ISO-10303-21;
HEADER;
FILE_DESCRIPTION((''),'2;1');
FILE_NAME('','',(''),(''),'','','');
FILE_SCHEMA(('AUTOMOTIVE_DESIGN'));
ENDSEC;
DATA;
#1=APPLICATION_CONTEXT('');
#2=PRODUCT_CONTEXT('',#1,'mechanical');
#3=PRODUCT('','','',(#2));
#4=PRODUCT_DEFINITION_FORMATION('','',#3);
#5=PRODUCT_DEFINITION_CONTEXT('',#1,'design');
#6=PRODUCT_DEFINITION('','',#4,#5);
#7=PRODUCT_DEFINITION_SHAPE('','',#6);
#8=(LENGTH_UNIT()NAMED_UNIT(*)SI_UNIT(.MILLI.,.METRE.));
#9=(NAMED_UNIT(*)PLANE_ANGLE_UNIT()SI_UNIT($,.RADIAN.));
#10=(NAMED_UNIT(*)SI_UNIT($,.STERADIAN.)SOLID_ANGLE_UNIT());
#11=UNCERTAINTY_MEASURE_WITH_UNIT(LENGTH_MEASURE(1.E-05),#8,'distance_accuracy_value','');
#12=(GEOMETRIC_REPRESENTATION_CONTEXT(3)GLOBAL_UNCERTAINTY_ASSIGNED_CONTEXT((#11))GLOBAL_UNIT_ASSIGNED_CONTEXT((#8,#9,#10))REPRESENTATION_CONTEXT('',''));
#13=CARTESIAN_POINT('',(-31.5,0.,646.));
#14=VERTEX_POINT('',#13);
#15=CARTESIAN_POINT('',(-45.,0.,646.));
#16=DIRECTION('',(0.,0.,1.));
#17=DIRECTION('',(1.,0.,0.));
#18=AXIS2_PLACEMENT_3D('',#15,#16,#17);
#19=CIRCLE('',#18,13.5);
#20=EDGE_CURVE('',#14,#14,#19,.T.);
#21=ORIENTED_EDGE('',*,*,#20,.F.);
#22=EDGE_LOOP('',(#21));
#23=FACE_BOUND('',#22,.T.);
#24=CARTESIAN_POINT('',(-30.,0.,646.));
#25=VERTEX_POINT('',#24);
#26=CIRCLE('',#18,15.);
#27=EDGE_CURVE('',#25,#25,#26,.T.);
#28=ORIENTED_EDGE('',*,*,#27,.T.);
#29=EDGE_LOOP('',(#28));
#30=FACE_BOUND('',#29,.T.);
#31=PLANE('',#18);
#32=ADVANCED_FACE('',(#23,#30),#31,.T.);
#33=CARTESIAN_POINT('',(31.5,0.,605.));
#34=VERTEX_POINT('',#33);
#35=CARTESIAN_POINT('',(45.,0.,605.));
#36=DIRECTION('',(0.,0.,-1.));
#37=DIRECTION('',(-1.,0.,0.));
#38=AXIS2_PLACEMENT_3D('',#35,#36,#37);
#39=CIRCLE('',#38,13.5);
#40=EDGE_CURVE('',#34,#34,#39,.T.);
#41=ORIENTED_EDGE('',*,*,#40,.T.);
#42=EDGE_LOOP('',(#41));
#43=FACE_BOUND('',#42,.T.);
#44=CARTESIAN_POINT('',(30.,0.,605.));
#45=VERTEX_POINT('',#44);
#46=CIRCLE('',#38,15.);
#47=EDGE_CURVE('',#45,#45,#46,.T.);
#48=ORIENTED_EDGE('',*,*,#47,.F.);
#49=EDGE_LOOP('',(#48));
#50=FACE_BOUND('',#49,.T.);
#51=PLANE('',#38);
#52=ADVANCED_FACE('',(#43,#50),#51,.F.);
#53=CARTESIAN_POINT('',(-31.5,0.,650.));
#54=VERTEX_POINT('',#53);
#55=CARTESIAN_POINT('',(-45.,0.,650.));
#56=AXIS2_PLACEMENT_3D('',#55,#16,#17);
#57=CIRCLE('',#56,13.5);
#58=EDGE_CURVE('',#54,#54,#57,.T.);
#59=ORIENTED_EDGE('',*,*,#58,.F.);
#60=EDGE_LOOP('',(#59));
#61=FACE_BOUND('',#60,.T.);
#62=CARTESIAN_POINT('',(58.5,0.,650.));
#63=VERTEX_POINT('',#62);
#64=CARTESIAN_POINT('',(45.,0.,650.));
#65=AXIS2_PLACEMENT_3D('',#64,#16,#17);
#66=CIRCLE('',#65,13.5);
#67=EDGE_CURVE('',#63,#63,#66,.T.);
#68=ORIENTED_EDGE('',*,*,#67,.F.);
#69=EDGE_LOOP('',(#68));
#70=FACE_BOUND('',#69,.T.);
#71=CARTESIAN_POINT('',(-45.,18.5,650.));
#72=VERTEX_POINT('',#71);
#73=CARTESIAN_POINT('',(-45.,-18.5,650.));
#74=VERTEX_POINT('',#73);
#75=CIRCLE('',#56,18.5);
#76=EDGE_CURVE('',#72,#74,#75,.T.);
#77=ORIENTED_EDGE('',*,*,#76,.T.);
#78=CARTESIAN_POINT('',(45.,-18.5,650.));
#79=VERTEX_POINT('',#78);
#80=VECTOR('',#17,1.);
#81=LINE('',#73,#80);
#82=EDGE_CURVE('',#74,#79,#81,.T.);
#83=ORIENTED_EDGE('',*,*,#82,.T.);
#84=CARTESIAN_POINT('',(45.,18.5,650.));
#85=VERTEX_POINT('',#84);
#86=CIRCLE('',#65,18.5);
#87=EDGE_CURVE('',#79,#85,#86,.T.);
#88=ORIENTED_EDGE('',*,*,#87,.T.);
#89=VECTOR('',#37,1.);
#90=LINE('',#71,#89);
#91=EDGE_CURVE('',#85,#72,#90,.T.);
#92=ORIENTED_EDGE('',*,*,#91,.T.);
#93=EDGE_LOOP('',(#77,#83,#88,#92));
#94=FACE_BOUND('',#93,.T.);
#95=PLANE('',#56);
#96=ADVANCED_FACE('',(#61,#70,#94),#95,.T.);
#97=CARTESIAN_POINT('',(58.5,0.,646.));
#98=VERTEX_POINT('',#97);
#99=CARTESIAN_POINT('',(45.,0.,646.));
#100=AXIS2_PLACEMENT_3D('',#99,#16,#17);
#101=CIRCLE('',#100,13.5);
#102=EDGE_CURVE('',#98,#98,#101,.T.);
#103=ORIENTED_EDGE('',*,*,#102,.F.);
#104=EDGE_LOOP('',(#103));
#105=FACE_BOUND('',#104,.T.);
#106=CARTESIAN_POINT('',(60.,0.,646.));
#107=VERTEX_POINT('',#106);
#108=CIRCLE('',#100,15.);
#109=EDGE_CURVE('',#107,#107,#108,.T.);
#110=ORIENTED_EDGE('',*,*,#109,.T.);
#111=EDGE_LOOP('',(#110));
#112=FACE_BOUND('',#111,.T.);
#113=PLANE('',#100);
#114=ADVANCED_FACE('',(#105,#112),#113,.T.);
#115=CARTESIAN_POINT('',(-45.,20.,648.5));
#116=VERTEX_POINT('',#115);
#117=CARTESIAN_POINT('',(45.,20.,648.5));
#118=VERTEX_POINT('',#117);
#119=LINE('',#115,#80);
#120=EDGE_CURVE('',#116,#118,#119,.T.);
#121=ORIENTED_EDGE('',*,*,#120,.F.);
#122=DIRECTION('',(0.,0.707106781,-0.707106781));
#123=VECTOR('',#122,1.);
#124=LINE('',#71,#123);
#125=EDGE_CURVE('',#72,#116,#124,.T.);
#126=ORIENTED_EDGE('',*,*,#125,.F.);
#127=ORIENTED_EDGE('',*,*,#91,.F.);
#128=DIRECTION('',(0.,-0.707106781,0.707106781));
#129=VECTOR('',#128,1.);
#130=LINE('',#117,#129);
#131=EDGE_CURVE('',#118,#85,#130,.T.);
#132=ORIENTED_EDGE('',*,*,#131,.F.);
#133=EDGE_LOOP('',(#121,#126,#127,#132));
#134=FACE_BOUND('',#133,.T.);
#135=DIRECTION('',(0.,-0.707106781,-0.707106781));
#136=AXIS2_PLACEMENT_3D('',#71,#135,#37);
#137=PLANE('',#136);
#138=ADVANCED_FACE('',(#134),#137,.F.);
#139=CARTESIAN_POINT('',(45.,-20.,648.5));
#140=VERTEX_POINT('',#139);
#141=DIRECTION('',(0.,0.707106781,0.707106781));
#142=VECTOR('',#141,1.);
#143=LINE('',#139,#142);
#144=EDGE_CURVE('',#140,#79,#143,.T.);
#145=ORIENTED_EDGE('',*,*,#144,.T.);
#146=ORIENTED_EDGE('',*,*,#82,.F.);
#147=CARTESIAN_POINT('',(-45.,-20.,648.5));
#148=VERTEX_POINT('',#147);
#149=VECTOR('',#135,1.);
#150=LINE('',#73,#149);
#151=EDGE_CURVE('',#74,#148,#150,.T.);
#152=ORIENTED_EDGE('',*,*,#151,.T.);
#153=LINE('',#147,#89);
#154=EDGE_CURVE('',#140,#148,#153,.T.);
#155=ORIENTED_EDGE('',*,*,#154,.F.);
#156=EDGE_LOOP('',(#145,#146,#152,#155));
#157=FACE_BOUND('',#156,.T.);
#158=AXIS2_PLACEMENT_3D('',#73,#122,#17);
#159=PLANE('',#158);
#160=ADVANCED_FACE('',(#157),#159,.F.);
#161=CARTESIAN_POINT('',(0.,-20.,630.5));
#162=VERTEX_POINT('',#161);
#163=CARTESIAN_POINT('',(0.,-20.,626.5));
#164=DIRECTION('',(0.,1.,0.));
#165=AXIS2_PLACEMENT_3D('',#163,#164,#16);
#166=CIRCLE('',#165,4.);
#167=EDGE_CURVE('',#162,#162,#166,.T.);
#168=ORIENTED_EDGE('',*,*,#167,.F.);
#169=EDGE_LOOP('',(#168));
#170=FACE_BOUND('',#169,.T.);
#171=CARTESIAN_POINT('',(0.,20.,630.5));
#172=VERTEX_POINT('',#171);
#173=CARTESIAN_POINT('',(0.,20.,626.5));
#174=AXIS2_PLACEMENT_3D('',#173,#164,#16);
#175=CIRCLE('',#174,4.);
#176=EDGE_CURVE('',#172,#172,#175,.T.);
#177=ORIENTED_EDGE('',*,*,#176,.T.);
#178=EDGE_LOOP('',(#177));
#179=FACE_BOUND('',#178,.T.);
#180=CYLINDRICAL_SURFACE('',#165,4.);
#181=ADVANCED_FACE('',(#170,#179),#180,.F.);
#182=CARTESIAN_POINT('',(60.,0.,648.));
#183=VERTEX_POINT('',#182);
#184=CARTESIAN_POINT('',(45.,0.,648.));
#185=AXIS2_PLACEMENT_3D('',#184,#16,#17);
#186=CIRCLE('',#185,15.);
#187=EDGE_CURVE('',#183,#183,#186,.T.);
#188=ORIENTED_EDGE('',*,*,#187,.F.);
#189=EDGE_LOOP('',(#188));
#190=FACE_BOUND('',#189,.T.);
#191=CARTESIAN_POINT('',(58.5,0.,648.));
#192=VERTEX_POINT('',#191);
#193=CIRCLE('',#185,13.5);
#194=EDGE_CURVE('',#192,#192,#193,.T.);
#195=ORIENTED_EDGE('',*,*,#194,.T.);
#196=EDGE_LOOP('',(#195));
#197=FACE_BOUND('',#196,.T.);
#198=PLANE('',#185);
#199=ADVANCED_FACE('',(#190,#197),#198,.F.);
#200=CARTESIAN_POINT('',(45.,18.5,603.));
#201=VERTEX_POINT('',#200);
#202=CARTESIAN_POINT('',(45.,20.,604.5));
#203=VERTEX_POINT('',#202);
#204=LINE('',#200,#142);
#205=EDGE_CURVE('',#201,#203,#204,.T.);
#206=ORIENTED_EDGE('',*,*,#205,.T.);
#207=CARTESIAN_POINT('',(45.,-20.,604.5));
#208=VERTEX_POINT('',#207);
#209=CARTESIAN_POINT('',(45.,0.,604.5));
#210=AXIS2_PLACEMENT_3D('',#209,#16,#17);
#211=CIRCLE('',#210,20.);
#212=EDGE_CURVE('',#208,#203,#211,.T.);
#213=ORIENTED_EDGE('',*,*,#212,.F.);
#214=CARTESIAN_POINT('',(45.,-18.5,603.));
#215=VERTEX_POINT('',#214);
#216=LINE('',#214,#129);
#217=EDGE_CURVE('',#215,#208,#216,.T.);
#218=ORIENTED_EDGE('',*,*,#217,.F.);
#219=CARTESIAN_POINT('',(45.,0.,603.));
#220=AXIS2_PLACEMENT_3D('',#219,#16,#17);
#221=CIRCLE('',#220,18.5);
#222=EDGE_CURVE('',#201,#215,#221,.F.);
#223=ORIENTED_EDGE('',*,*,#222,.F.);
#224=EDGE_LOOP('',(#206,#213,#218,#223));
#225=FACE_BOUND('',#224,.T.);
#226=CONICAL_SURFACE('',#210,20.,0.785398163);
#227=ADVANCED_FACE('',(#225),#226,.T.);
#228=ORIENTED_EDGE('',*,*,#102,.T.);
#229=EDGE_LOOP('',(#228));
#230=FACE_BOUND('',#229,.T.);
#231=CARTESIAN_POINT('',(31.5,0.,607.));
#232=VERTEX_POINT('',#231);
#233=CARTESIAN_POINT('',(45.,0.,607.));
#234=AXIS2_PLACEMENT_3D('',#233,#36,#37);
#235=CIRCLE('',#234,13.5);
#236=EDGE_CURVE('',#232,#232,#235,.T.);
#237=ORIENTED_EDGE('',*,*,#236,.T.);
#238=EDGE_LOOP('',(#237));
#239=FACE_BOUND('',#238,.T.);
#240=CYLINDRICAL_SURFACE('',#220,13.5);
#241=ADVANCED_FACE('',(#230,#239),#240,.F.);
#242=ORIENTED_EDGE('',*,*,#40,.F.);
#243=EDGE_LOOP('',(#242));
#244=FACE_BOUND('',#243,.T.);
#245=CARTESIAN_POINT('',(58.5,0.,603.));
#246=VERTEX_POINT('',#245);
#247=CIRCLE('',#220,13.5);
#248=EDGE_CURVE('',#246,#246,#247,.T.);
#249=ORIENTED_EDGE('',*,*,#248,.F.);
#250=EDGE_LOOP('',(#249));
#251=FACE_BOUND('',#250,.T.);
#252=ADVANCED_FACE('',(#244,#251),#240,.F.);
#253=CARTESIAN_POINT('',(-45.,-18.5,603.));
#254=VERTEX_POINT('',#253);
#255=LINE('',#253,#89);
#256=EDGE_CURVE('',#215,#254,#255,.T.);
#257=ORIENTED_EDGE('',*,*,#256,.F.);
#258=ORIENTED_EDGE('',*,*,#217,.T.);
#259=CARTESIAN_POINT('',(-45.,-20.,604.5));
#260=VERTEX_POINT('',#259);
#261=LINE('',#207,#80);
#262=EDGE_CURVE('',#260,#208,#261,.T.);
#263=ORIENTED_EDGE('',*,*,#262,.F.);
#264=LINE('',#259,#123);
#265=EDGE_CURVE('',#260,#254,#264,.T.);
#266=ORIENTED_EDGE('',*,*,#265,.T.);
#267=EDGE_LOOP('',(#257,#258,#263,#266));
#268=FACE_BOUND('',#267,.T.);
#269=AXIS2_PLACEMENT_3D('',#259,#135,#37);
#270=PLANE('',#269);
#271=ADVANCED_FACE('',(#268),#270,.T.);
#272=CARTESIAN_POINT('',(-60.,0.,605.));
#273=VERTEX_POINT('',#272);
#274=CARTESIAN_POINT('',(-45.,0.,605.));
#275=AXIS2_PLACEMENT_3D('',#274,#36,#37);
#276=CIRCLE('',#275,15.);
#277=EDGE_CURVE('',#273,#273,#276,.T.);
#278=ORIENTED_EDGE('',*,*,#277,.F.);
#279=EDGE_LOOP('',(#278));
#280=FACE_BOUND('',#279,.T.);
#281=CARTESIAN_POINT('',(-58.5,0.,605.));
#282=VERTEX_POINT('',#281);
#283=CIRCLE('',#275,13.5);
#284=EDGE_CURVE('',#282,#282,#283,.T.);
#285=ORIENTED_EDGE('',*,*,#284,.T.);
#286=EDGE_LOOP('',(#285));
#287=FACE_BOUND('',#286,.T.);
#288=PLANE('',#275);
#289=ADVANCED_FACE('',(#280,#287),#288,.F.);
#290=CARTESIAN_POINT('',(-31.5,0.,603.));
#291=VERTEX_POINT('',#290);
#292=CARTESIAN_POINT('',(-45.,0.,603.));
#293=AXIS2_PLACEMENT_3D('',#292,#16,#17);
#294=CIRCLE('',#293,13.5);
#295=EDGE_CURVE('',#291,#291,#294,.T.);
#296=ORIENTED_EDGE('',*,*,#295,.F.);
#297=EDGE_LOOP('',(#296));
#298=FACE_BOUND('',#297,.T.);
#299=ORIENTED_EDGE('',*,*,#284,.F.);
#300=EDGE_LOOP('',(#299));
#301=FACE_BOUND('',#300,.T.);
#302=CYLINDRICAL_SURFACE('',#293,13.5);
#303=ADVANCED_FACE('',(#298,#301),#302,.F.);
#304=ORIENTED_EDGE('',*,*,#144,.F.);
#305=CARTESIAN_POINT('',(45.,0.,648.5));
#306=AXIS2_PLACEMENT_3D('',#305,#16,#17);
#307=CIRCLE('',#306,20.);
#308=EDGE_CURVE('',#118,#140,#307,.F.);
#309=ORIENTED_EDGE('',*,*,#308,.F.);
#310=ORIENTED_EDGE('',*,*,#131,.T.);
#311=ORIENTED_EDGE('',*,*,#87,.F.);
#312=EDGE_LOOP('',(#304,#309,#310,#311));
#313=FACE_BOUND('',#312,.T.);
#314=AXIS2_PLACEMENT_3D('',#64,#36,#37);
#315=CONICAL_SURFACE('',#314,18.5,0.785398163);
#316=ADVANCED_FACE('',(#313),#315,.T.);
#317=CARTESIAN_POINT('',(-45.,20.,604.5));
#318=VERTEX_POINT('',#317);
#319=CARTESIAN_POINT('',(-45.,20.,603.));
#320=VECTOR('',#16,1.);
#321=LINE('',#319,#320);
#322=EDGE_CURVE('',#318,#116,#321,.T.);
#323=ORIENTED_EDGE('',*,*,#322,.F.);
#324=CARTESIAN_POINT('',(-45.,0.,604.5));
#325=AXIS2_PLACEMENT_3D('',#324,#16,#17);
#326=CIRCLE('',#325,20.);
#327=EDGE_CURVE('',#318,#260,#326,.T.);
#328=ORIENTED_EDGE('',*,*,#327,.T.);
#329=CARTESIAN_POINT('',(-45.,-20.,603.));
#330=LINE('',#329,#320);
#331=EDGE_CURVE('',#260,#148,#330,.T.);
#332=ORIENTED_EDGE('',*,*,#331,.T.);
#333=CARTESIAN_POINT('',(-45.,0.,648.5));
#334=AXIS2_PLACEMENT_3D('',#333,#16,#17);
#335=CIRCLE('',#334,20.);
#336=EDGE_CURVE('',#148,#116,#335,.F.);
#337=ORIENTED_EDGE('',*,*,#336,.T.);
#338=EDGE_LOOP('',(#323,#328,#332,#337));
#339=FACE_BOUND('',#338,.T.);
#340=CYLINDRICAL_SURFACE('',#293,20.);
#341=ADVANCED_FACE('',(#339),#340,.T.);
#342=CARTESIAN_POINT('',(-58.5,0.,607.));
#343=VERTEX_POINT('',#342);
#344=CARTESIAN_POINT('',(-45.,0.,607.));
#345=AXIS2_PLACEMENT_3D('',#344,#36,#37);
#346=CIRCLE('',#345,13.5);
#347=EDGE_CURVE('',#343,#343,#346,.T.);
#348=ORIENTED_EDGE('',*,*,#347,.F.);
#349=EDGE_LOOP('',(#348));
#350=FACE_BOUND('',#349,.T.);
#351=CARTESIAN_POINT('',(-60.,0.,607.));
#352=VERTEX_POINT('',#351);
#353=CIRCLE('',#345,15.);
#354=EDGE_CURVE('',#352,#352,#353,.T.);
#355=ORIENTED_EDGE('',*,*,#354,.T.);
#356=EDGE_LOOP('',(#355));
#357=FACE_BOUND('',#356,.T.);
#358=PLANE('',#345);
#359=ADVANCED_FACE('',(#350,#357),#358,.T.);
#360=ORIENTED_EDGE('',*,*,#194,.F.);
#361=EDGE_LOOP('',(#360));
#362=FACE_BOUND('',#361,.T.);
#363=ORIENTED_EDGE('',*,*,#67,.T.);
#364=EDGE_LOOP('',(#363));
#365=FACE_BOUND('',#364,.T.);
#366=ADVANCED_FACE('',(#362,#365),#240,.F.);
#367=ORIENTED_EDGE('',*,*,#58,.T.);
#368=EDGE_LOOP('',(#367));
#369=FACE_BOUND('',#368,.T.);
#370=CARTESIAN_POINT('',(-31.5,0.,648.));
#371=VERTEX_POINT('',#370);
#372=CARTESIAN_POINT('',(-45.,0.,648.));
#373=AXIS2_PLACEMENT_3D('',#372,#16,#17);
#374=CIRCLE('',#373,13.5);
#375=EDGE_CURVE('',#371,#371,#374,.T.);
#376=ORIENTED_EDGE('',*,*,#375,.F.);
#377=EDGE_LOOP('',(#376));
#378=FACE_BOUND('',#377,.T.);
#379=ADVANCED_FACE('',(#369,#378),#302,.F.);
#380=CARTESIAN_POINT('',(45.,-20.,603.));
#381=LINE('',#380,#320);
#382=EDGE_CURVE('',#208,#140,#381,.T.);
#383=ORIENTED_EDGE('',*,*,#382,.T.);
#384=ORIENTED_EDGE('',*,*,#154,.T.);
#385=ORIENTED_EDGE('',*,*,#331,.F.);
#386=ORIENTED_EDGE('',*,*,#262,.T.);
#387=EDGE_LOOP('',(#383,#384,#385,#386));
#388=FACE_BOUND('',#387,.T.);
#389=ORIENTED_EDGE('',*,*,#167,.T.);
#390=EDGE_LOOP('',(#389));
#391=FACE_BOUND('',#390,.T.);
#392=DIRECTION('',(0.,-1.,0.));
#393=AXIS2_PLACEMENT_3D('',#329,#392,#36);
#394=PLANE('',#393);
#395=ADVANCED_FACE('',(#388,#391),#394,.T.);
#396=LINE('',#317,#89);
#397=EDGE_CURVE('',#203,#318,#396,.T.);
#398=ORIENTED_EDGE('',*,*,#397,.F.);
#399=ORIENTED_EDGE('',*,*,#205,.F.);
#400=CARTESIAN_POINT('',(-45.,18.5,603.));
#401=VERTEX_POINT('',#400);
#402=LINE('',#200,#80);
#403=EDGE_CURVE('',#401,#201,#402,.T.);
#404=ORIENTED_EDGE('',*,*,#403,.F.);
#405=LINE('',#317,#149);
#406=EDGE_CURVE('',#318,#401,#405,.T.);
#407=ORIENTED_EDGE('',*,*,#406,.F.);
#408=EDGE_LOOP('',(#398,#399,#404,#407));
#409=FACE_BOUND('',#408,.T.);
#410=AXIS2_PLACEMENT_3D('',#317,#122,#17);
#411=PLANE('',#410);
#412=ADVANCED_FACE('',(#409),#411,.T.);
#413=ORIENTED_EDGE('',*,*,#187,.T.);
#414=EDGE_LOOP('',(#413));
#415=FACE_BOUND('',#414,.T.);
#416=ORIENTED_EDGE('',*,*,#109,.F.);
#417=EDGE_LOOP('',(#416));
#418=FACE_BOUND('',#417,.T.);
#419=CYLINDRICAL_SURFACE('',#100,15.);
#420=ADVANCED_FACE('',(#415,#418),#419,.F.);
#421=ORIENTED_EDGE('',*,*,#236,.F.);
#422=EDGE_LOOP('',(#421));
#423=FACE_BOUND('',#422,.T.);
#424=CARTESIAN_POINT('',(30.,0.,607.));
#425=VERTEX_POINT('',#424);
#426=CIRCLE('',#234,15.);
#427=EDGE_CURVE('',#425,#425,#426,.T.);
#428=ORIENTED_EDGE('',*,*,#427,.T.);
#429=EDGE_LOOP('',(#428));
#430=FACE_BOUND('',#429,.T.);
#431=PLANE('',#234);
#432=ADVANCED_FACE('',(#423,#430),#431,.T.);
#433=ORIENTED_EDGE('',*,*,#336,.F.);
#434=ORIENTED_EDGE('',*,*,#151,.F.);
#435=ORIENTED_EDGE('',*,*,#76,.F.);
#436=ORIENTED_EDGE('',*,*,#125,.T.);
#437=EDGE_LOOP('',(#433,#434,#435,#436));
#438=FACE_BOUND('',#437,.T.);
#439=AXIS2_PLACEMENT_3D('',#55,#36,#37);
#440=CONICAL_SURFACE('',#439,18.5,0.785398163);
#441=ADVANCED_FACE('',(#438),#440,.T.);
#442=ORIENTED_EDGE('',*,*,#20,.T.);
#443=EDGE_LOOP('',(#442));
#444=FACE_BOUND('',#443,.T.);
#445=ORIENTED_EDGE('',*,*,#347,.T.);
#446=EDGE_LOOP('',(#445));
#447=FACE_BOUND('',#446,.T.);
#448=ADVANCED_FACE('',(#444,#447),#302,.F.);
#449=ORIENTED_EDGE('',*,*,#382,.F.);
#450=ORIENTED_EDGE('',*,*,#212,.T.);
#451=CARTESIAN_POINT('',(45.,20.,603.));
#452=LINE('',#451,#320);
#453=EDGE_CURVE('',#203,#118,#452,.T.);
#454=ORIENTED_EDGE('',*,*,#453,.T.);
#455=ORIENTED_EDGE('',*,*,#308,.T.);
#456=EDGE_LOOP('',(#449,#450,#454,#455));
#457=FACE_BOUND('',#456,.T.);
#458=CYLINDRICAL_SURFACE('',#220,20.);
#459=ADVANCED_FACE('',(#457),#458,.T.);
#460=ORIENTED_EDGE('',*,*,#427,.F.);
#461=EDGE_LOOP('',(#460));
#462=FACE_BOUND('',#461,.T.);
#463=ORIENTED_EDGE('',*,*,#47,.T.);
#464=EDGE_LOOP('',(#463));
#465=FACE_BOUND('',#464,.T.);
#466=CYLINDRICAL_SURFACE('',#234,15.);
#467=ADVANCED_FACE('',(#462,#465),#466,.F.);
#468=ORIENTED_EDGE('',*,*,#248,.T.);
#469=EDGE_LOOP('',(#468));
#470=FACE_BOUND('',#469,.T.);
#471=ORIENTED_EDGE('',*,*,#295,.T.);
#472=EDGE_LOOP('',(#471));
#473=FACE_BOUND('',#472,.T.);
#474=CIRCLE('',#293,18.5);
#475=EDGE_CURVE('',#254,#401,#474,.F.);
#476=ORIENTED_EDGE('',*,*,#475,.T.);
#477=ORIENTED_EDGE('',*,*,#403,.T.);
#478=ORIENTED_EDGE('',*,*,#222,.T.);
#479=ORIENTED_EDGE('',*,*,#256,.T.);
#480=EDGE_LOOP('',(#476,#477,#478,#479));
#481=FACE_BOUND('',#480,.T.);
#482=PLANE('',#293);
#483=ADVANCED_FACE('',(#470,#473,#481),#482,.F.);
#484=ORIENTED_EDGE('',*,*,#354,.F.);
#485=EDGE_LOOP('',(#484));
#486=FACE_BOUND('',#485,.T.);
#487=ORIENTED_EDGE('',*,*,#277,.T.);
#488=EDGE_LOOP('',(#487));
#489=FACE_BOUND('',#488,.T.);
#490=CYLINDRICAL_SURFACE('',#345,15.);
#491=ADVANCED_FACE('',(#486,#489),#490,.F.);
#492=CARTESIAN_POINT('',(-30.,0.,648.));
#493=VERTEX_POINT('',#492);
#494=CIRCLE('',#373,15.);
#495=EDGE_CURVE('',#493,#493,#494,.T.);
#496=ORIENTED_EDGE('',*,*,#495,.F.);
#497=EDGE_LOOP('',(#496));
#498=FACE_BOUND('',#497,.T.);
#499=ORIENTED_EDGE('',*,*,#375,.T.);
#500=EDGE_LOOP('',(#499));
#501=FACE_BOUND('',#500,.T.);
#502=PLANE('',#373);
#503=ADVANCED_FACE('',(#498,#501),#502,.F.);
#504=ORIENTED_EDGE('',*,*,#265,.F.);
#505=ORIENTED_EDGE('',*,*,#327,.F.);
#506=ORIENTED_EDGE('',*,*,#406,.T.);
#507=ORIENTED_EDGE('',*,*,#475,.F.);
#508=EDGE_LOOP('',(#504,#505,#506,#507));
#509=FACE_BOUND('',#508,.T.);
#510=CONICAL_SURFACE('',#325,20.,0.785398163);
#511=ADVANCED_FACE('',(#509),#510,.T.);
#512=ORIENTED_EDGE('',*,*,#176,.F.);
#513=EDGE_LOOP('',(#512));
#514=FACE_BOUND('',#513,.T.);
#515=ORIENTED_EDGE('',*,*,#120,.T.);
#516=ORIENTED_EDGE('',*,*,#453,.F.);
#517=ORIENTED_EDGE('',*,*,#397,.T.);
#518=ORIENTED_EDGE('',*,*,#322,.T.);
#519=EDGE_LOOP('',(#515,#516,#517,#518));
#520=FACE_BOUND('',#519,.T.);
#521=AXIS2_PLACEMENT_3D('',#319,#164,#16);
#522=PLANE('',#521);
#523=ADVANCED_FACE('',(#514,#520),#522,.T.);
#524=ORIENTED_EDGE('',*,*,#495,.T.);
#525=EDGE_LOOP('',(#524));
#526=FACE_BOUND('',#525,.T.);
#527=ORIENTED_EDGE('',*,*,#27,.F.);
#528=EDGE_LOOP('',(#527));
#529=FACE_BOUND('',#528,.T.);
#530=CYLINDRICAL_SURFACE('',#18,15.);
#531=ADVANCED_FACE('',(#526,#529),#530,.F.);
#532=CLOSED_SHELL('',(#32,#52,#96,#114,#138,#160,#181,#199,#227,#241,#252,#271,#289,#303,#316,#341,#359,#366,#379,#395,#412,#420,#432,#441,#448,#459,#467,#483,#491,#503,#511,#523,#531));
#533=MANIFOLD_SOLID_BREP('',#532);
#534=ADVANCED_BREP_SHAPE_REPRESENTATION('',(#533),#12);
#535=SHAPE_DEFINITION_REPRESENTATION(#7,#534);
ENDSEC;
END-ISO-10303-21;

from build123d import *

# Parameters (mm, degrees)
BOSS_EXTRUDE1_START = 650
SKETCH1_R           = 13.5
BOSS_EXTRUDE1_DEPTH = 47
CUT_EXTRUDE2_START  = -2
SKETCH4_R           = 15
SKETCH4_R_2         = 13.5
CUT_EXTRUDE2_DEPTH  = 2
SKETCH5_R           = 4
CUT_EXTRUDE3_DEPTH  = 40
CUT_EXTRUDE4_START  = -4
SKETCH6_R           = 15
SKETCH6_R_2         = 13.5
CUT_EXTRUDE4_DEPTH  = 2
CHAMFER1_SIZE       = 1.5


with BuildPart() as part:
    # Sketch1 → Boss-Extrude1 (new body)
    with BuildSketch(Plane.XY.offset(BOSS_EXTRUDE1_START)):
        with BuildLine():
            Line((-45, 20), (45, 20))
            ThreePointArc((45, 20), (65, 0), (45, -20))
            Line((45, -20), (-45, -20))
            ThreePointArc((-45, -20), (-65, 0), (-45, 20))
        make_face()
        with Locations((-45, 0)):
            Circle(SKETCH1_R, mode=Mode.SUBTRACT)
        with Locations((45, 0)):
            Circle(SKETCH1_R, mode=Mode.SUBTRACT)
    extrude(amount=-BOSS_EXTRUDE1_DEPTH)

    # Sketch4 → Cut-Extrude2 (cut)
    # profile 1 of 2: a face of its own
    with BuildSketch(Plane.XY.offset(650).offset(CUT_EXTRUDE2_START)):
        with Locations((-45, 0)):
            Circle(SKETCH4_R)
        with Locations((-45, 0)):
            Circle(SKETCH4_R_2, mode=Mode.SUBTRACT)
    # profile 2 of 2: a face of its own
    with BuildSketch(Plane.XY.offset(650).offset(CUT_EXTRUDE2_START)):
        with Locations((45, 0)):
            Circle(SKETCH4_R)
        with Locations((45, 0)):
            Circle(SKETCH4_R_2, mode=Mode.SUBTRACT)
    extrude(amount=-CUT_EXTRUDE2_DEPTH, mode=Mode.SUBTRACT)

    # Sketch5 → Cut-Extrude3 (cut)
    with BuildSketch(Plane(origin=(0, 20, 0), x_dir=(1, 0, 0), z_dir=(0, 1, 0))):
        with Locations(Location((0, -626.5, 0), (0, 0, 270))):
            Circle(SKETCH5_R)
    extrude(amount=-CUT_EXTRUDE3_DEPTH, mode=Mode.SUBTRACT)

    # Sketch6 → Cut-Extrude4 (cut)
    # profile 1 of 2: a face of its own
    with BuildSketch(Plane(origin=(0, 0, 603), x_dir=(-1, 0, 0), z_dir=(0, 0, -1)).offset(CUT_EXTRUDE4_START)):
        with Locations(Location((-45, 0, 0), (0, 0, 180))):
            Circle(SKETCH6_R)
        with Locations(Location((-45, 0, 0), (0, 0, 180))):
            Circle(SKETCH6_R_2, mode=Mode.SUBTRACT)
    # profile 2 of 2: a face of its own
    with BuildSketch(Plane(origin=(0, 0, 603), x_dir=(-1, 0, 0), z_dir=(0, 0, -1)).offset(CUT_EXTRUDE4_START)):
        with Locations(Location((45, 0, 0), (0, 0, 180))):
            Circle(SKETCH6_R)
        with Locations(Location((45, 0, 0), (0, 0, 180))):
            Circle(SKETCH6_R_2, mode=Mode.SUBTRACT)
    extrude(amount=CUT_EXTRUDE4_DEPTH, mode=Mode.SUBTRACT)

    # Chamfer1
    chamfer1_edges = [part.edges().sort_by_distance(p)[0] for p in [
        (65, 0, 603),
        (0, 20, 603),
        (-65, 0, 603),
        (0, 20, 650),
        (65, 0, 650),
        (0, -20, 650),
        (-65, 0, 650),
        (0, -20, 603),
    ]]
    chamfer(chamfer1_edges, length=CHAMFER1_SIZE)


solid = part.part
